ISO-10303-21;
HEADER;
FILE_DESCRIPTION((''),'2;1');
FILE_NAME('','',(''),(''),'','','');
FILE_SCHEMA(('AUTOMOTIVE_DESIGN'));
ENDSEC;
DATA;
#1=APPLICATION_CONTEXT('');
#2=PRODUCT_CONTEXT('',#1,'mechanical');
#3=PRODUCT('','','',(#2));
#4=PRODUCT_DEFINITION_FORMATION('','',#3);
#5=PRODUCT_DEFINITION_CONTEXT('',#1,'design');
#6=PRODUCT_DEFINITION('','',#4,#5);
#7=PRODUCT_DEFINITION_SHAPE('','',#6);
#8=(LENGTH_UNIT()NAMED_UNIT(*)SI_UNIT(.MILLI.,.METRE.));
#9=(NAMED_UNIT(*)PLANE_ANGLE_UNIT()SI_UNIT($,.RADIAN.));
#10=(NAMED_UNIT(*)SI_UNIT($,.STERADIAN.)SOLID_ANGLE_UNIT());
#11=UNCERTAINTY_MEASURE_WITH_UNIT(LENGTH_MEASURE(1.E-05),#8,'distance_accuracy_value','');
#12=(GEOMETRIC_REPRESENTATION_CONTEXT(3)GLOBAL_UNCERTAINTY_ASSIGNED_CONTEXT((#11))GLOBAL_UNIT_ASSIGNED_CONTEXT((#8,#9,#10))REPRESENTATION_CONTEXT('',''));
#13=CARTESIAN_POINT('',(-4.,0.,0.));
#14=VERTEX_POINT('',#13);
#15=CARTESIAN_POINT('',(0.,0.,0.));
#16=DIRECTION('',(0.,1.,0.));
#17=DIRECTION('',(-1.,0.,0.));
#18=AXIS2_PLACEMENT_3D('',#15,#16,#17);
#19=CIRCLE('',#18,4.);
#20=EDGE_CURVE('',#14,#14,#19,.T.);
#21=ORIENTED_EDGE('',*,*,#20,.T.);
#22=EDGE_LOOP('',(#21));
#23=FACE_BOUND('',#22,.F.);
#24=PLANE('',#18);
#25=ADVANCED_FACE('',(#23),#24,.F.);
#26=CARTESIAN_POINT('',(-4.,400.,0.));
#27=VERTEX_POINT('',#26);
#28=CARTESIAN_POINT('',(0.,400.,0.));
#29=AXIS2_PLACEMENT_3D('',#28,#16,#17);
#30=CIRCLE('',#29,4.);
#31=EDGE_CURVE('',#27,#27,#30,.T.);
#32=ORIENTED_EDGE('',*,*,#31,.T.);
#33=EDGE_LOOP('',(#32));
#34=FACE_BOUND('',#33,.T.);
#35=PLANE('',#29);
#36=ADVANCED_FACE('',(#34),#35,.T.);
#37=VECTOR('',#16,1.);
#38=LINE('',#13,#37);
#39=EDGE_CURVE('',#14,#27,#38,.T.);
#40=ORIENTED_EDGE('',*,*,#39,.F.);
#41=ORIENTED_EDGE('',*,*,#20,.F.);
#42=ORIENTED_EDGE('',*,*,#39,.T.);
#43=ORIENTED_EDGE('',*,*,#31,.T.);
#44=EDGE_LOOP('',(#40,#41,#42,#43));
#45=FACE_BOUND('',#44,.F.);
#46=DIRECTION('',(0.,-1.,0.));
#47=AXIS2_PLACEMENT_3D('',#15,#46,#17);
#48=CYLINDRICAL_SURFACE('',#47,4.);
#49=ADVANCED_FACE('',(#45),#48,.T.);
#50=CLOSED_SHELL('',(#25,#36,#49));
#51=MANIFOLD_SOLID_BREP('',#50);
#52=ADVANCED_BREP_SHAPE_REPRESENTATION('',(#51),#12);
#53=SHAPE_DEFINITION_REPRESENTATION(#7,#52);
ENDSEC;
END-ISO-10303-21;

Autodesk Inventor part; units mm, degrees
ref_plane "YZ Plane" through (0, 0, 0) normal (1, 0, 0) x (0, 1, 0)
ref_plane "XZ Plane" through (0, 0, 0) normal (0, 1, 0) x (-1, 0, 0)
ref_plane "XY Plane" through (0, 0, 0) normal (0, 0, 1) x (1, 0, 0)
sketch "Sketch1" plane through (0, 0, 0) normal (0, 1, 0) x (-1, 0, 0)
  circle A0 centre (0, 0) radius 4
  dimension "d0" = 8
extrude "Extrusion1" add sketch "Sketch1" along normal blind 400
equation "\"d0\" = RodDiameter"
equation "\"d1\" = SmallRodLenght"
equation "\"RodDiameter\" = 8"
equation "\"SmallRodLenght\" = 400"
equation "\"VerticalBearingOD\" = 16"
equation "\"PrintingClearance\" = 0.2"
equation "\"TubeID\" = 18"
equation "\"XLinearBearingOD\" = 19"
properties part number "SmallRod"
